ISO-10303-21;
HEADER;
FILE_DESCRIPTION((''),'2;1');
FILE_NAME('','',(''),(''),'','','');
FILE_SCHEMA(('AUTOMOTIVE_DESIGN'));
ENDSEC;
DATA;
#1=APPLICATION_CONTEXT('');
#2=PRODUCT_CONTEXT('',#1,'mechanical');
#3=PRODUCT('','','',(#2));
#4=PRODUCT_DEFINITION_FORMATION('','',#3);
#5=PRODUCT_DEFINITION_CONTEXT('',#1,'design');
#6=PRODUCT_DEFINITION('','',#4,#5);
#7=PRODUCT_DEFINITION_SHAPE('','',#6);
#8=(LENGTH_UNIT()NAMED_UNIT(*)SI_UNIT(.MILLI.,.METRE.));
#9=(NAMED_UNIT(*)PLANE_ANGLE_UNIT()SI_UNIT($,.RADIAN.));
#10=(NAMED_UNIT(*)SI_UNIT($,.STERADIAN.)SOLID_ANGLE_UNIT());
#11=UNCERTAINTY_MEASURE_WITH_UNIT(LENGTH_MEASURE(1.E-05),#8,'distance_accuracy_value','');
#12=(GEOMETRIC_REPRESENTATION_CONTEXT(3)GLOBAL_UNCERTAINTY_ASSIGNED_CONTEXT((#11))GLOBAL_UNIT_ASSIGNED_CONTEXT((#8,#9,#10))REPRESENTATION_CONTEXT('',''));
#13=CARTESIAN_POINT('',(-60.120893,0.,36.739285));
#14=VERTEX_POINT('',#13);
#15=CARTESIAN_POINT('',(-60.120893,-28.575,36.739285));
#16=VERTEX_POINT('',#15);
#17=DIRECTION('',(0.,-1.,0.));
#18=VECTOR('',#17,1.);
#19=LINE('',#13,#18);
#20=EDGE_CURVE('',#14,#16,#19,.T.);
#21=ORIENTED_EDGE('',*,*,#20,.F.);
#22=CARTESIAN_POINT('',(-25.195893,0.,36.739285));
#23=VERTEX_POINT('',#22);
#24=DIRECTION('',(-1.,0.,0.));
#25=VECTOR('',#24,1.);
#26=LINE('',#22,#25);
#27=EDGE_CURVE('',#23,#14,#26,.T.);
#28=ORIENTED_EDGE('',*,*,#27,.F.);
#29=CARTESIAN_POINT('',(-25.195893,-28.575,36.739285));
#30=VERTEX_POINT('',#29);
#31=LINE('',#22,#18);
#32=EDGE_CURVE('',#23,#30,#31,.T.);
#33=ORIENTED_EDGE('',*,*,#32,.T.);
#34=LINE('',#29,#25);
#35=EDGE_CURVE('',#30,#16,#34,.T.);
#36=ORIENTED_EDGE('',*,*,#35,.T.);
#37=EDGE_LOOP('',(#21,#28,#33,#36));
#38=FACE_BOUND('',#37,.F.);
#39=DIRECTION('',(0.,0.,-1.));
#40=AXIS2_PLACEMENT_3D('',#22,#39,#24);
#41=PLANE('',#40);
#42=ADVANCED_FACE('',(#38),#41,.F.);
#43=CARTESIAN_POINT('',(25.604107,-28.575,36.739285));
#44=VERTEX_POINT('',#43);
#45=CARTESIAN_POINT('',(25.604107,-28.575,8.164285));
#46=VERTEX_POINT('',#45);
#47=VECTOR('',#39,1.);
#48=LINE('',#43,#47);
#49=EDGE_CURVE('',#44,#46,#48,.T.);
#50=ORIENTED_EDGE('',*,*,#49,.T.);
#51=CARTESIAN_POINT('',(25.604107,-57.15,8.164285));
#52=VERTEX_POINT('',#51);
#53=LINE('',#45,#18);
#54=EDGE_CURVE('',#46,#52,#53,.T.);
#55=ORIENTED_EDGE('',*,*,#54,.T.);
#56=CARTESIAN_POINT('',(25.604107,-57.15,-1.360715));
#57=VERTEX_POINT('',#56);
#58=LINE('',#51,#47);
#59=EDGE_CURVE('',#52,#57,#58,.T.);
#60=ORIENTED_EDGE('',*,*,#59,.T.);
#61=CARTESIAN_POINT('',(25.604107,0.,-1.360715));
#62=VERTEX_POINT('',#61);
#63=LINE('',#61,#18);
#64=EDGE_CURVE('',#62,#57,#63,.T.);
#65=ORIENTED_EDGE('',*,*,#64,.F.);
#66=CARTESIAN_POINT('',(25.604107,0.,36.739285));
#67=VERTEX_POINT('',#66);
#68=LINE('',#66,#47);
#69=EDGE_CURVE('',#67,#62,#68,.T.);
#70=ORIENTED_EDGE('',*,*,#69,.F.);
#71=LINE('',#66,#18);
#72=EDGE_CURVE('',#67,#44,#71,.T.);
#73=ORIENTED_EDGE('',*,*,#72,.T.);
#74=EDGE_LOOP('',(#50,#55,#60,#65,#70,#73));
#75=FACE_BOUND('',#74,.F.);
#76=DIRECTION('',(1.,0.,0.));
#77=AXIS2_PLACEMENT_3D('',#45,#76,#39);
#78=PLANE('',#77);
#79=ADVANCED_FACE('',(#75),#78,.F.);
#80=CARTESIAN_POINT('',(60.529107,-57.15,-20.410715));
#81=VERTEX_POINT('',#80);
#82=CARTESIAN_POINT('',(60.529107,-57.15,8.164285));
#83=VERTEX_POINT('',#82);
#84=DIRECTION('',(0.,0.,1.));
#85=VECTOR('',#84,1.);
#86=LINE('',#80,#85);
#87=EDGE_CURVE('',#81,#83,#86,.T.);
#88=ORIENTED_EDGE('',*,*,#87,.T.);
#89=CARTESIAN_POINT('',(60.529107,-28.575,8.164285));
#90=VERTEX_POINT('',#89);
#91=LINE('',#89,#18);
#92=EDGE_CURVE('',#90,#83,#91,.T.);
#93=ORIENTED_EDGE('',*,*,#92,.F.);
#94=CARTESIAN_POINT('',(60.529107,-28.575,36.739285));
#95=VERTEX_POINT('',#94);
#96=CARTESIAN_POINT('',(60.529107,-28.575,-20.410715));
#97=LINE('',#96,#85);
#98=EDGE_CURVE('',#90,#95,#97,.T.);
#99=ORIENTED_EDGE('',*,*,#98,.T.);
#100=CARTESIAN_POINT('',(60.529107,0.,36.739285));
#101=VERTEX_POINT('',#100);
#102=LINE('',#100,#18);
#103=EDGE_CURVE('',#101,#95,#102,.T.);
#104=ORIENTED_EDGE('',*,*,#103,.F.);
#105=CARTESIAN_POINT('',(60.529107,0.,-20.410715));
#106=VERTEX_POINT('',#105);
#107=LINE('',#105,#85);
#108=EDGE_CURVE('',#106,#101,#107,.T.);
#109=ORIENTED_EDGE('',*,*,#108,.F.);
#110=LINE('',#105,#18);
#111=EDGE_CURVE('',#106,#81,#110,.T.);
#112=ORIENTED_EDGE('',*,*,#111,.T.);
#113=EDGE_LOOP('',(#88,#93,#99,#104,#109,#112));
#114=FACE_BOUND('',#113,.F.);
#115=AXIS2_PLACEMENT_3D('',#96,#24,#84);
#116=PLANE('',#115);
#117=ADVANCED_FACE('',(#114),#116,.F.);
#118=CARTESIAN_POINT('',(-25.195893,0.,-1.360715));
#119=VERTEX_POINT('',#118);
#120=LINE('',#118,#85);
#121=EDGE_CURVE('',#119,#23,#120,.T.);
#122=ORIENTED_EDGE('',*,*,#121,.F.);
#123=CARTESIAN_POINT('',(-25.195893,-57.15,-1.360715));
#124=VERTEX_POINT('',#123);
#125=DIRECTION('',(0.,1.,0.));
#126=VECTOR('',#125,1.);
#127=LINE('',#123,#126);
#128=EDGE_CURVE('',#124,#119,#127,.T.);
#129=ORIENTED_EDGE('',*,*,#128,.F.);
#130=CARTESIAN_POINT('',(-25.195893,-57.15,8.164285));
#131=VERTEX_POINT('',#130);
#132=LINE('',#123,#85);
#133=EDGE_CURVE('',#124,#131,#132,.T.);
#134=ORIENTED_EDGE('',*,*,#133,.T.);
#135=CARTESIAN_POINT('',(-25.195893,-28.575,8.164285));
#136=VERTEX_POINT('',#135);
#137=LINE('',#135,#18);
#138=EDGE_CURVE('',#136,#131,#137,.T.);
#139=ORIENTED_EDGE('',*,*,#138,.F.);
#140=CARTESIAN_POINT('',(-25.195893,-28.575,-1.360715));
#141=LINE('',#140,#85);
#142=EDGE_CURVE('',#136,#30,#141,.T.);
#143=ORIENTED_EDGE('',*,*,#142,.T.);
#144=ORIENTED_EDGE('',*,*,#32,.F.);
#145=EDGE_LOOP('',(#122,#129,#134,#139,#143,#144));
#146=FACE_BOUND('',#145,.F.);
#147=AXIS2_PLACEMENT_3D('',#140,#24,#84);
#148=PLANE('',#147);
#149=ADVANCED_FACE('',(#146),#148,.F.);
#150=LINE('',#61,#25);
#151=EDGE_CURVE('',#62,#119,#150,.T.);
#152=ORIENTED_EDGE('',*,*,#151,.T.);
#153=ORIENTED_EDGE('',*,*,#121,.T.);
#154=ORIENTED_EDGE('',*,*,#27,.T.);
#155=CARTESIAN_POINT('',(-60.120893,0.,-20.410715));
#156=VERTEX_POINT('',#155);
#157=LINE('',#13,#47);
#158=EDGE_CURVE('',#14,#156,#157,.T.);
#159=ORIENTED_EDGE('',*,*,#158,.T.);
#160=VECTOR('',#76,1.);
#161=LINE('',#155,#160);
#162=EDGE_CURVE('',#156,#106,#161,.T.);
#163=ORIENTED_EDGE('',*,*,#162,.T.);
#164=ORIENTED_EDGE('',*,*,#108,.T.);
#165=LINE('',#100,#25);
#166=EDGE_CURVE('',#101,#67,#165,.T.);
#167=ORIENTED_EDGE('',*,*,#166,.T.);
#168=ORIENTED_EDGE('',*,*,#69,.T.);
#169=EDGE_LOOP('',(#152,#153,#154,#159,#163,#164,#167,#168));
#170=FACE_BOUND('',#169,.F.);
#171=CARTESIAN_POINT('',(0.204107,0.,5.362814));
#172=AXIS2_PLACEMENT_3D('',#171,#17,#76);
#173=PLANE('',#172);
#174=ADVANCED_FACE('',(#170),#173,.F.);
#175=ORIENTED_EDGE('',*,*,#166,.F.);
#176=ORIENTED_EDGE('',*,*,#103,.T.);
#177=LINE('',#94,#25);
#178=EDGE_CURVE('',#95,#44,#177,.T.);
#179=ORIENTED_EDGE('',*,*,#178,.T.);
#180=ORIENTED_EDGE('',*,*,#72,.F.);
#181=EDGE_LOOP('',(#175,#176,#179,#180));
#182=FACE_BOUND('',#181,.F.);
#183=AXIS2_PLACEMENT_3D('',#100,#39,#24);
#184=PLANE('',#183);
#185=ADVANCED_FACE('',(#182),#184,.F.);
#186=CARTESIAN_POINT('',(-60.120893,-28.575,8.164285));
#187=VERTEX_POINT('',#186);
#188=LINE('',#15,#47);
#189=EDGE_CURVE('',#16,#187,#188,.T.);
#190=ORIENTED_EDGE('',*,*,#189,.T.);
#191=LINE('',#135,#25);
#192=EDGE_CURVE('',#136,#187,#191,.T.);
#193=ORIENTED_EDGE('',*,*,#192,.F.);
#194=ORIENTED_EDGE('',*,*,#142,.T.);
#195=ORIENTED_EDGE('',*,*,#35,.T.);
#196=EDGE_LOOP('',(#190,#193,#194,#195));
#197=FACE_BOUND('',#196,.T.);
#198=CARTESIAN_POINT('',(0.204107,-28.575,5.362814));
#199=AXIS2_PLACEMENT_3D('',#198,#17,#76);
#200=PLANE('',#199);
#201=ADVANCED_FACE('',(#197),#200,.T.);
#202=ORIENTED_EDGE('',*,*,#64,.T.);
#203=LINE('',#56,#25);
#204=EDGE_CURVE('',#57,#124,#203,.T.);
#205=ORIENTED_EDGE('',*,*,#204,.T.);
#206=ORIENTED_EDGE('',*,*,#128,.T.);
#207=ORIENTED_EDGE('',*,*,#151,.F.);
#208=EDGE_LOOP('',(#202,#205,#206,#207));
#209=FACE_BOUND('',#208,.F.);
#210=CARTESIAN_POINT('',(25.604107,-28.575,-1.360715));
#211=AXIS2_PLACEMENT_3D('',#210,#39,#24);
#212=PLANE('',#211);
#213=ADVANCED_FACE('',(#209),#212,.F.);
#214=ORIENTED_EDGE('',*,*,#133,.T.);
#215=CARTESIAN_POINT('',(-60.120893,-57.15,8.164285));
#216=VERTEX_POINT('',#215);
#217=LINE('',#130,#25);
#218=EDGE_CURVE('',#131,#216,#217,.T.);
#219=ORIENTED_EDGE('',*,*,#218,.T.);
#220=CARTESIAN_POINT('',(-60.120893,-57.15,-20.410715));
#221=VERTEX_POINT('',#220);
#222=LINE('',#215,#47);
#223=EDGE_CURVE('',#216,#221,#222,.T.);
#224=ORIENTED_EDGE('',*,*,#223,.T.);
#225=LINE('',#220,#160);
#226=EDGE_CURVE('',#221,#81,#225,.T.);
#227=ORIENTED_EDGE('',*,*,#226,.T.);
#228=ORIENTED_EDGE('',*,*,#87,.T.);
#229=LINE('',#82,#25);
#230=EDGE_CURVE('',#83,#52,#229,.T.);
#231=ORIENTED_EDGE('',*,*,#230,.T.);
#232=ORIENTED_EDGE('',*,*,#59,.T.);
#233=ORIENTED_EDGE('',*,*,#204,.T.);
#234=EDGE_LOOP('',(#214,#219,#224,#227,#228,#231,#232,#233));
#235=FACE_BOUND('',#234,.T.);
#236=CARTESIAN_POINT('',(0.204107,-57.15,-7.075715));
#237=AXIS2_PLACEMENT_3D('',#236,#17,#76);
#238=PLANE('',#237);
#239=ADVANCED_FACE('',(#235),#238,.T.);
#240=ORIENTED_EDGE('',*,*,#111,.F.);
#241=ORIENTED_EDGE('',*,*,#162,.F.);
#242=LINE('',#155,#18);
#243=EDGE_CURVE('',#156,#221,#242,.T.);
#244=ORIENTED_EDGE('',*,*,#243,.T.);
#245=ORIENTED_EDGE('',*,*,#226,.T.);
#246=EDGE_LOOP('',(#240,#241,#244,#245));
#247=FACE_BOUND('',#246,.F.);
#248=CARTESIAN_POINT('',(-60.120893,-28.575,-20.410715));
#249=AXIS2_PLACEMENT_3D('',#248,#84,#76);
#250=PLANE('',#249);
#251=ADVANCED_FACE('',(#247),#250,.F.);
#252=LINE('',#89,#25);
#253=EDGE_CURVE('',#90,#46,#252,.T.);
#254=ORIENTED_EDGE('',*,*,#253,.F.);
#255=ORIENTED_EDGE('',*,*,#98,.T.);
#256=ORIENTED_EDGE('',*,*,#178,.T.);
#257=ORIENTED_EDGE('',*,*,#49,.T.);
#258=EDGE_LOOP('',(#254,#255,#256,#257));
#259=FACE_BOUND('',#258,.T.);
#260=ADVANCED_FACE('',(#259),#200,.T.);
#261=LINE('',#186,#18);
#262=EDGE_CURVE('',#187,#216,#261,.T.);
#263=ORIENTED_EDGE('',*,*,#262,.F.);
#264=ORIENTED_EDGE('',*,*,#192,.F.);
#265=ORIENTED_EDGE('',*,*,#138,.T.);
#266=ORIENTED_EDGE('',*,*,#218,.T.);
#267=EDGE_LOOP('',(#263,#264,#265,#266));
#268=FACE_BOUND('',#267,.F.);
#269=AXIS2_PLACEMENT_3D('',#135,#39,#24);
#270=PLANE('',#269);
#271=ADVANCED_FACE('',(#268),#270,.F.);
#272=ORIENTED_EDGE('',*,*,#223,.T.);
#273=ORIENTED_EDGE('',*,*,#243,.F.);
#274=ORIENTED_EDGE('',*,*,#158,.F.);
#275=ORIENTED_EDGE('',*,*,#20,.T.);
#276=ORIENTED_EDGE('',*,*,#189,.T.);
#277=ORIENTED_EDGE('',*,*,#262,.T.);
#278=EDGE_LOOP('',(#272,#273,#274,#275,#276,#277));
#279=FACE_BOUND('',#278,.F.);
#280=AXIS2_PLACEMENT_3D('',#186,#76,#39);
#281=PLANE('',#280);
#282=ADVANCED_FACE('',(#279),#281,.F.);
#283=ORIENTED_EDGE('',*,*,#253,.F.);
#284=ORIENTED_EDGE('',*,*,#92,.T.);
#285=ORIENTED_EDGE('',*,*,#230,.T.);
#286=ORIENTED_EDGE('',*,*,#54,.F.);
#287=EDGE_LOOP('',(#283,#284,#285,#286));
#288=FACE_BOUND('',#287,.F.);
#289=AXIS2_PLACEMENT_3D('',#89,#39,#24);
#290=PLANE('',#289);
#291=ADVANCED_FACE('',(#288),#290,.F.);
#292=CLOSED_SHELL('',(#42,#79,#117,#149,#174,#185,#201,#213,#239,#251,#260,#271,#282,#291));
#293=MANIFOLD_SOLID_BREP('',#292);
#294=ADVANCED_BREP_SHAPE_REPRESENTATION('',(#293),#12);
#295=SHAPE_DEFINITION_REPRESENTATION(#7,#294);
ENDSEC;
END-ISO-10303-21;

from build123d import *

# Parameters (mm, degrees)
F1_DEPTH = 28.575
F3_DEPTH = 28.575


with BuildPart() as f1:
    # F0 (on Front) → F1 (new body)
    with BuildSketch(Plane.XZ):
        Polygon((-60.120893, 36.739285), (-60.120893, -20.410715), (60.529107, -20.410715), (60.529107, 36.739285), (25.604107, 36.739285), (25.604107, -1.360715), (-25.195893, -1.360715), (-25.195893, 36.739285), align=None)
    extrude(amount=F1_DEPTH)

    # F2 (on face) → F3 (join)
    with BuildSketch(Plane.XZ.offset(28.575)):
        Polygon((-60.120893, 8.164285), (-60.120893, -20.410715), (60.529107, -20.410715), (60.529107, 8.164285), (25.604107, 8.164285), (25.604107, -1.360715), (-25.195893, -1.360715), (-25.195893, 8.164285), align=None)
    extrude(amount=F3_DEPTH)


solid = f1.part
